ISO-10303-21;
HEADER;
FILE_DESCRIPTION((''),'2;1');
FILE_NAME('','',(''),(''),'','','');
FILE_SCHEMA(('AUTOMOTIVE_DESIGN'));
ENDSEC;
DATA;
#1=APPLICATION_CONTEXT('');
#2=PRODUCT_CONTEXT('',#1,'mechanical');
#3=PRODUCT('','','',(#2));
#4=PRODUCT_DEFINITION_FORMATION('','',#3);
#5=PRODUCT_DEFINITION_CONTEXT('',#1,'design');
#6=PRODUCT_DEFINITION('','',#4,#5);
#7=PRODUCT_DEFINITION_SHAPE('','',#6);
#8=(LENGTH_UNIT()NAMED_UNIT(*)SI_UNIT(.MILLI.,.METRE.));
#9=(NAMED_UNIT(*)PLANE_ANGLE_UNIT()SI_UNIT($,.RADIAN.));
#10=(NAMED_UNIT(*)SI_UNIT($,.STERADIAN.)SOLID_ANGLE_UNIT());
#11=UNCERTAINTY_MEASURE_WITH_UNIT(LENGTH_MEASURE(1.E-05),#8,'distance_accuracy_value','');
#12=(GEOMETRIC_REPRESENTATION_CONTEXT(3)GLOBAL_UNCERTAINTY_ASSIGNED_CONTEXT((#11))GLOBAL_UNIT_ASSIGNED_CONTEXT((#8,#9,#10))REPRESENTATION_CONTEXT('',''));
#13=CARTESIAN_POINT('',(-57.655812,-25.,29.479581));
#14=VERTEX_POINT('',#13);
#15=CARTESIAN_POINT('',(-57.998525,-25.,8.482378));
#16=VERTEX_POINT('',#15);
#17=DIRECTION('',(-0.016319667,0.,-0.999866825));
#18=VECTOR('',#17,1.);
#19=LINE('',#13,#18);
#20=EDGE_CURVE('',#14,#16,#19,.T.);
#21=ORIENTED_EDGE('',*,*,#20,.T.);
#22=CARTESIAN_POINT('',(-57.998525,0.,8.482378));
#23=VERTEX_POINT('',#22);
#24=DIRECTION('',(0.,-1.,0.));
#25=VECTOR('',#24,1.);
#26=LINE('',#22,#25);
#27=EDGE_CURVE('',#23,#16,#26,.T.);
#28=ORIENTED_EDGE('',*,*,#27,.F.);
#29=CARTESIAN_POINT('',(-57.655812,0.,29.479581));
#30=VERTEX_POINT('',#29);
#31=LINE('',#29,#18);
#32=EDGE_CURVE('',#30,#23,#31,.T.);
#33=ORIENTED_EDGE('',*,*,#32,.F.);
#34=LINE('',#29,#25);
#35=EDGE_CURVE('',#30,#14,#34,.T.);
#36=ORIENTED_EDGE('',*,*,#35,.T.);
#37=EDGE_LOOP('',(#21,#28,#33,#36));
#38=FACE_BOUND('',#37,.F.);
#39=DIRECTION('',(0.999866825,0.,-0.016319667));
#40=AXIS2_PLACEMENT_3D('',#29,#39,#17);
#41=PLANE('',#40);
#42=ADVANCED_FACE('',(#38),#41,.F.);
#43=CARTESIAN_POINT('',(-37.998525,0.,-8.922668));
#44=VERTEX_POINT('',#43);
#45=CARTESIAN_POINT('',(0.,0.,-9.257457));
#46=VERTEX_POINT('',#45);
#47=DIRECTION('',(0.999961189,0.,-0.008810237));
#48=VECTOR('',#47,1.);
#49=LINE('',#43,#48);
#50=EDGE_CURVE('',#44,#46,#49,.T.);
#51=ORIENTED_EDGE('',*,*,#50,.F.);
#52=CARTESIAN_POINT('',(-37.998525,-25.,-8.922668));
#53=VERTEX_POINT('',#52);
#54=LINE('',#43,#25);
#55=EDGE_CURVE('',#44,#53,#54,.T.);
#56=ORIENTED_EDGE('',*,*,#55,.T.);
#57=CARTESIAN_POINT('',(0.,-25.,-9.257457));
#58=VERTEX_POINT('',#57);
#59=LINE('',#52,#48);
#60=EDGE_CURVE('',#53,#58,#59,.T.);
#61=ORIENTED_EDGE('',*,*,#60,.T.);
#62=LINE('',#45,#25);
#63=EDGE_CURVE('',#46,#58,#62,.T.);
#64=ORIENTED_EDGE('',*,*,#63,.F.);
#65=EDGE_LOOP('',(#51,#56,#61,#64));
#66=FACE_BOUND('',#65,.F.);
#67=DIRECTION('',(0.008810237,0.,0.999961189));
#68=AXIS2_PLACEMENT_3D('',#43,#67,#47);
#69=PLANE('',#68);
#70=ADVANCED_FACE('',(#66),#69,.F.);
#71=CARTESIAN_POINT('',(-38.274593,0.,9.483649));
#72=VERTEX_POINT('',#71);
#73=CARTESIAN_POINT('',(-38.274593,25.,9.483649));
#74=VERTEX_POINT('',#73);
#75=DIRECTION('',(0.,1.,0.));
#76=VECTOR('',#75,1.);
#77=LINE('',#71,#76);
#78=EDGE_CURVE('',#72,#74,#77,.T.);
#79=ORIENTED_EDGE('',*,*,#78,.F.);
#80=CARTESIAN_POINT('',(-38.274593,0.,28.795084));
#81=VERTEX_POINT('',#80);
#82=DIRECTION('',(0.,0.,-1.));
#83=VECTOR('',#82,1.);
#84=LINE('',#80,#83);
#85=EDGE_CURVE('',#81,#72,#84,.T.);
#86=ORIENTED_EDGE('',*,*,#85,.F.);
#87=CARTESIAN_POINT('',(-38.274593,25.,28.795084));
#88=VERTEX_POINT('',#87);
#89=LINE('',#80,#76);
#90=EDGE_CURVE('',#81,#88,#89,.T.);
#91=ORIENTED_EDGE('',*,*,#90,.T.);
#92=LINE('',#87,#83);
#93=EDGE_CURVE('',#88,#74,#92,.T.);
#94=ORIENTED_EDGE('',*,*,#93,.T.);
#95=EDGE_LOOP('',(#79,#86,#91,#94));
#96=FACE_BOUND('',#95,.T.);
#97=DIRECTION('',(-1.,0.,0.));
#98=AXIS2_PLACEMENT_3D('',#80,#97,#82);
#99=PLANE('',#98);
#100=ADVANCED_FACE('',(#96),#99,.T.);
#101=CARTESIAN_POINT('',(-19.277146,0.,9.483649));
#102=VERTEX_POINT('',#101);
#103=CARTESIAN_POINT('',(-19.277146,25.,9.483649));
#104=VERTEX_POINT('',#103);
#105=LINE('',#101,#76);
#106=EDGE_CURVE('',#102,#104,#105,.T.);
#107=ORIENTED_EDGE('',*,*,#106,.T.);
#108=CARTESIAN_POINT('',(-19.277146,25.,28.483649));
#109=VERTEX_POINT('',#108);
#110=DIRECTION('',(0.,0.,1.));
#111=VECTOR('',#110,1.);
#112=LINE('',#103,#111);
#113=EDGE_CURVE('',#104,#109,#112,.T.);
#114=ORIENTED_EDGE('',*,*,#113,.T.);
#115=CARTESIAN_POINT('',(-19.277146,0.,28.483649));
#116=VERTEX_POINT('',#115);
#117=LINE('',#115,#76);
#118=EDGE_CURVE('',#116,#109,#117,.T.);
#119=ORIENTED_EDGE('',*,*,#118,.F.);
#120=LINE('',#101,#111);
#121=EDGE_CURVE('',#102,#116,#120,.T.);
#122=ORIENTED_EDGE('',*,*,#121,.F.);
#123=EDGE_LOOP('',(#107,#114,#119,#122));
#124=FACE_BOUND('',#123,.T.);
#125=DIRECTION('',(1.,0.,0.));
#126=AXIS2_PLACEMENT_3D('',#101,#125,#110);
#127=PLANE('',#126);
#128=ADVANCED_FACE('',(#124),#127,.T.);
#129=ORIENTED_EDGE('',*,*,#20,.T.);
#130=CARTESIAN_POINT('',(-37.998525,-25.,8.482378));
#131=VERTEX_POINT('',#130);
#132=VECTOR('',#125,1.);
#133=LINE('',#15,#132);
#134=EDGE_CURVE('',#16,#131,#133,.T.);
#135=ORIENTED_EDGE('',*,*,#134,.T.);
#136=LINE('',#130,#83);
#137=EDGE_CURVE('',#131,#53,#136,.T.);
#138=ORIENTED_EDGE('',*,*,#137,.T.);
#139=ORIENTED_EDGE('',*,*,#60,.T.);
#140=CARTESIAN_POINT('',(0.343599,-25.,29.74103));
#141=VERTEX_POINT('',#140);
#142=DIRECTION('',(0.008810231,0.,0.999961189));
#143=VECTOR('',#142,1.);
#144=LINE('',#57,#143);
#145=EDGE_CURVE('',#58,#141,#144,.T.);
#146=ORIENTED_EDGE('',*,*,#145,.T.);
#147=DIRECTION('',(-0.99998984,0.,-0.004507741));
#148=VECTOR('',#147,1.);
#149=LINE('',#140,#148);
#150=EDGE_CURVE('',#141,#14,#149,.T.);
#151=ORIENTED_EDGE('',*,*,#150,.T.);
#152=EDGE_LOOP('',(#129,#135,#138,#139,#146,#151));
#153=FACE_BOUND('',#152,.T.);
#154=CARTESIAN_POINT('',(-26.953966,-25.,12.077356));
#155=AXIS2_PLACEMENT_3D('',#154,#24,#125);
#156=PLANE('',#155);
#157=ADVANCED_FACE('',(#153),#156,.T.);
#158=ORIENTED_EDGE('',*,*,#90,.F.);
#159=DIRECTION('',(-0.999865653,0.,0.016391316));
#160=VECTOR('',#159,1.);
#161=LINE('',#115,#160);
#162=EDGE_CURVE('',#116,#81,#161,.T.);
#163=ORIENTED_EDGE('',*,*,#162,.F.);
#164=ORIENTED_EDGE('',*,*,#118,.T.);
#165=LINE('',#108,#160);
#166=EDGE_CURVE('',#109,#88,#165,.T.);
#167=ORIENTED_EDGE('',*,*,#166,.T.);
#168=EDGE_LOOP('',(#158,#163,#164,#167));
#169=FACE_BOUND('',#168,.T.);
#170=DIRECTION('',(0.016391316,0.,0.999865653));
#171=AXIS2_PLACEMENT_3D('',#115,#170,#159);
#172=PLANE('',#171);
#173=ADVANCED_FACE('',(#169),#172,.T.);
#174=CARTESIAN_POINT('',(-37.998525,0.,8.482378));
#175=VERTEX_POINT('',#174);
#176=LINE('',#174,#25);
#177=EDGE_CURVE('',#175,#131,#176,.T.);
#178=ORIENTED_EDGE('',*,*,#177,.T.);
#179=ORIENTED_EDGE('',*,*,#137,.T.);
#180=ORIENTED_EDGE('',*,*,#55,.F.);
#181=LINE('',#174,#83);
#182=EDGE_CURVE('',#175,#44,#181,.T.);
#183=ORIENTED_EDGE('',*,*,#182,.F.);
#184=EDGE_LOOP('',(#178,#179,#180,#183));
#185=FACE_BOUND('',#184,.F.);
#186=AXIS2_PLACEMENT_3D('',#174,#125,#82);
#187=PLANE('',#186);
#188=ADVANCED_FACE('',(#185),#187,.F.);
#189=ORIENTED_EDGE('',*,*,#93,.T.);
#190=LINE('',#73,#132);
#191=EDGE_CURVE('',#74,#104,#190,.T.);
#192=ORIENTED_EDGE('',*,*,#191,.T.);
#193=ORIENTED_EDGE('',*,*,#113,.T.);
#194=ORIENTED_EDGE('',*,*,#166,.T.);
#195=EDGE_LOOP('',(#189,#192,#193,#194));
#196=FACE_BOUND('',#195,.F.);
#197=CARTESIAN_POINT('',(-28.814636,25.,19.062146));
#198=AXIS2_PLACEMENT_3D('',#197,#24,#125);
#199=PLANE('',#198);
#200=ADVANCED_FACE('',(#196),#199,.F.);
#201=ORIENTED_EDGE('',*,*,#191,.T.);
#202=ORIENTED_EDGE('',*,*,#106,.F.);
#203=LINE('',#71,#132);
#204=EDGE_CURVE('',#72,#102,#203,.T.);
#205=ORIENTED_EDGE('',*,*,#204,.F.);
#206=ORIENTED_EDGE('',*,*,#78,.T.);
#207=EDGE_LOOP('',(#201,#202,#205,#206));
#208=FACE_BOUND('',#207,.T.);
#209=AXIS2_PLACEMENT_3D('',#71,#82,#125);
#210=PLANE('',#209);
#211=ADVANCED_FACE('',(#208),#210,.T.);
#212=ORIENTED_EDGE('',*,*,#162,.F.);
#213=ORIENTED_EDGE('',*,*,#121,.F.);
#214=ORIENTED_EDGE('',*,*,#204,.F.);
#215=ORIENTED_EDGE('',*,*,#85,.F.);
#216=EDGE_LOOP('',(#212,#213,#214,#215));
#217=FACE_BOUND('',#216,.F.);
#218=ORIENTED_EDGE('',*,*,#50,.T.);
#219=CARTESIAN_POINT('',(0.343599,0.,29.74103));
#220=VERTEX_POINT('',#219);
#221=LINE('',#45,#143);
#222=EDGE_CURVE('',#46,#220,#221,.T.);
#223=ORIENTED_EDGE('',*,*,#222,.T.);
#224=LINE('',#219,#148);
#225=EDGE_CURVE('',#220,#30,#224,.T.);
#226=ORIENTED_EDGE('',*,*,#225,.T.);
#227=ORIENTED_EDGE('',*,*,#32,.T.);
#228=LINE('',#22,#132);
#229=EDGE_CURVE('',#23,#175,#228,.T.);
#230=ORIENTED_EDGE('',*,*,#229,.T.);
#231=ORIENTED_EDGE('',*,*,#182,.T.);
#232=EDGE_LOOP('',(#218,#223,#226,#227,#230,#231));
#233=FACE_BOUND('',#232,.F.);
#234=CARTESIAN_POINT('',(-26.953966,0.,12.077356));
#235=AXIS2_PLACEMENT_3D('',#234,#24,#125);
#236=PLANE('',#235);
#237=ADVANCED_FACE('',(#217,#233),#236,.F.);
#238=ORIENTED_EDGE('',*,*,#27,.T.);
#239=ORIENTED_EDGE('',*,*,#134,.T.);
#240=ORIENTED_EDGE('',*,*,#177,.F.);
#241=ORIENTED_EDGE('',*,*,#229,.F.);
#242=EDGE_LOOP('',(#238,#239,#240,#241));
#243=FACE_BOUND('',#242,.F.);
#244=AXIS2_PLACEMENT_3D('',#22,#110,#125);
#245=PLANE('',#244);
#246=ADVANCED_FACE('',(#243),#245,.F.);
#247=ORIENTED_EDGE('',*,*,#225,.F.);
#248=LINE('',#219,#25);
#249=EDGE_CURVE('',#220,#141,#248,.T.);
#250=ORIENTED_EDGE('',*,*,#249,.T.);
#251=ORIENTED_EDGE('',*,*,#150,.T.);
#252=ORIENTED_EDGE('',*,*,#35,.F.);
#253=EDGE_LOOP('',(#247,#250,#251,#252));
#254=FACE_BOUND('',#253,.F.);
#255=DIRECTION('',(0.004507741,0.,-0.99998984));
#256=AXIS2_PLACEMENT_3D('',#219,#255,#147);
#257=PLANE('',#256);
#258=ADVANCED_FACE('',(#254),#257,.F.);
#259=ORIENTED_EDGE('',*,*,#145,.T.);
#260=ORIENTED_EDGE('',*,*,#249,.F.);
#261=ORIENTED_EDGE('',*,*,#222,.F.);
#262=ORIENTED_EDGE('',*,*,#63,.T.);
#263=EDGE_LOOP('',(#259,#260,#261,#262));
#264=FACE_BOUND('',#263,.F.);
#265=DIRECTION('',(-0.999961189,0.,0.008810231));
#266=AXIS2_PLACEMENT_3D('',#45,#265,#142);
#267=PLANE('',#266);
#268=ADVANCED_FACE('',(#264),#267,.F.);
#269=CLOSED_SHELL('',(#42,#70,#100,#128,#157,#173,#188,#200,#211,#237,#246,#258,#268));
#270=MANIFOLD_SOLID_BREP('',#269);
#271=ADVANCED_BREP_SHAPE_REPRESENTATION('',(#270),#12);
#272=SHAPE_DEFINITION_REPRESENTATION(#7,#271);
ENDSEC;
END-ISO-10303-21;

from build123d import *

# Parameters (mm, degrees)
F1_DEPTH = 25
F3_DEPTH = 25


with BuildPart() as f1:
    # F0 (on Front) → F1 (new body)
    with BuildSketch(Plane.XZ):
        Polygon((0.343599, 29.74103), (-57.655812, 29.479581), (-57.998525, 8.482378), (-37.998525, 8.482378), (-37.998525, -8.922668), (0, -9.257457), align=None)
    extrude(amount=F1_DEPTH)

    # F2 (on Front) → F3 (join)
    with BuildSketch(Plane.XZ):
        Polygon((-19.277146, 28.483649), (-38.274593, 28.795084), (-38.274593, 9.483649), (-19.277146, 9.483649), align=None)
    extrude(amount=-F3_DEPTH)


solid = f1.part
